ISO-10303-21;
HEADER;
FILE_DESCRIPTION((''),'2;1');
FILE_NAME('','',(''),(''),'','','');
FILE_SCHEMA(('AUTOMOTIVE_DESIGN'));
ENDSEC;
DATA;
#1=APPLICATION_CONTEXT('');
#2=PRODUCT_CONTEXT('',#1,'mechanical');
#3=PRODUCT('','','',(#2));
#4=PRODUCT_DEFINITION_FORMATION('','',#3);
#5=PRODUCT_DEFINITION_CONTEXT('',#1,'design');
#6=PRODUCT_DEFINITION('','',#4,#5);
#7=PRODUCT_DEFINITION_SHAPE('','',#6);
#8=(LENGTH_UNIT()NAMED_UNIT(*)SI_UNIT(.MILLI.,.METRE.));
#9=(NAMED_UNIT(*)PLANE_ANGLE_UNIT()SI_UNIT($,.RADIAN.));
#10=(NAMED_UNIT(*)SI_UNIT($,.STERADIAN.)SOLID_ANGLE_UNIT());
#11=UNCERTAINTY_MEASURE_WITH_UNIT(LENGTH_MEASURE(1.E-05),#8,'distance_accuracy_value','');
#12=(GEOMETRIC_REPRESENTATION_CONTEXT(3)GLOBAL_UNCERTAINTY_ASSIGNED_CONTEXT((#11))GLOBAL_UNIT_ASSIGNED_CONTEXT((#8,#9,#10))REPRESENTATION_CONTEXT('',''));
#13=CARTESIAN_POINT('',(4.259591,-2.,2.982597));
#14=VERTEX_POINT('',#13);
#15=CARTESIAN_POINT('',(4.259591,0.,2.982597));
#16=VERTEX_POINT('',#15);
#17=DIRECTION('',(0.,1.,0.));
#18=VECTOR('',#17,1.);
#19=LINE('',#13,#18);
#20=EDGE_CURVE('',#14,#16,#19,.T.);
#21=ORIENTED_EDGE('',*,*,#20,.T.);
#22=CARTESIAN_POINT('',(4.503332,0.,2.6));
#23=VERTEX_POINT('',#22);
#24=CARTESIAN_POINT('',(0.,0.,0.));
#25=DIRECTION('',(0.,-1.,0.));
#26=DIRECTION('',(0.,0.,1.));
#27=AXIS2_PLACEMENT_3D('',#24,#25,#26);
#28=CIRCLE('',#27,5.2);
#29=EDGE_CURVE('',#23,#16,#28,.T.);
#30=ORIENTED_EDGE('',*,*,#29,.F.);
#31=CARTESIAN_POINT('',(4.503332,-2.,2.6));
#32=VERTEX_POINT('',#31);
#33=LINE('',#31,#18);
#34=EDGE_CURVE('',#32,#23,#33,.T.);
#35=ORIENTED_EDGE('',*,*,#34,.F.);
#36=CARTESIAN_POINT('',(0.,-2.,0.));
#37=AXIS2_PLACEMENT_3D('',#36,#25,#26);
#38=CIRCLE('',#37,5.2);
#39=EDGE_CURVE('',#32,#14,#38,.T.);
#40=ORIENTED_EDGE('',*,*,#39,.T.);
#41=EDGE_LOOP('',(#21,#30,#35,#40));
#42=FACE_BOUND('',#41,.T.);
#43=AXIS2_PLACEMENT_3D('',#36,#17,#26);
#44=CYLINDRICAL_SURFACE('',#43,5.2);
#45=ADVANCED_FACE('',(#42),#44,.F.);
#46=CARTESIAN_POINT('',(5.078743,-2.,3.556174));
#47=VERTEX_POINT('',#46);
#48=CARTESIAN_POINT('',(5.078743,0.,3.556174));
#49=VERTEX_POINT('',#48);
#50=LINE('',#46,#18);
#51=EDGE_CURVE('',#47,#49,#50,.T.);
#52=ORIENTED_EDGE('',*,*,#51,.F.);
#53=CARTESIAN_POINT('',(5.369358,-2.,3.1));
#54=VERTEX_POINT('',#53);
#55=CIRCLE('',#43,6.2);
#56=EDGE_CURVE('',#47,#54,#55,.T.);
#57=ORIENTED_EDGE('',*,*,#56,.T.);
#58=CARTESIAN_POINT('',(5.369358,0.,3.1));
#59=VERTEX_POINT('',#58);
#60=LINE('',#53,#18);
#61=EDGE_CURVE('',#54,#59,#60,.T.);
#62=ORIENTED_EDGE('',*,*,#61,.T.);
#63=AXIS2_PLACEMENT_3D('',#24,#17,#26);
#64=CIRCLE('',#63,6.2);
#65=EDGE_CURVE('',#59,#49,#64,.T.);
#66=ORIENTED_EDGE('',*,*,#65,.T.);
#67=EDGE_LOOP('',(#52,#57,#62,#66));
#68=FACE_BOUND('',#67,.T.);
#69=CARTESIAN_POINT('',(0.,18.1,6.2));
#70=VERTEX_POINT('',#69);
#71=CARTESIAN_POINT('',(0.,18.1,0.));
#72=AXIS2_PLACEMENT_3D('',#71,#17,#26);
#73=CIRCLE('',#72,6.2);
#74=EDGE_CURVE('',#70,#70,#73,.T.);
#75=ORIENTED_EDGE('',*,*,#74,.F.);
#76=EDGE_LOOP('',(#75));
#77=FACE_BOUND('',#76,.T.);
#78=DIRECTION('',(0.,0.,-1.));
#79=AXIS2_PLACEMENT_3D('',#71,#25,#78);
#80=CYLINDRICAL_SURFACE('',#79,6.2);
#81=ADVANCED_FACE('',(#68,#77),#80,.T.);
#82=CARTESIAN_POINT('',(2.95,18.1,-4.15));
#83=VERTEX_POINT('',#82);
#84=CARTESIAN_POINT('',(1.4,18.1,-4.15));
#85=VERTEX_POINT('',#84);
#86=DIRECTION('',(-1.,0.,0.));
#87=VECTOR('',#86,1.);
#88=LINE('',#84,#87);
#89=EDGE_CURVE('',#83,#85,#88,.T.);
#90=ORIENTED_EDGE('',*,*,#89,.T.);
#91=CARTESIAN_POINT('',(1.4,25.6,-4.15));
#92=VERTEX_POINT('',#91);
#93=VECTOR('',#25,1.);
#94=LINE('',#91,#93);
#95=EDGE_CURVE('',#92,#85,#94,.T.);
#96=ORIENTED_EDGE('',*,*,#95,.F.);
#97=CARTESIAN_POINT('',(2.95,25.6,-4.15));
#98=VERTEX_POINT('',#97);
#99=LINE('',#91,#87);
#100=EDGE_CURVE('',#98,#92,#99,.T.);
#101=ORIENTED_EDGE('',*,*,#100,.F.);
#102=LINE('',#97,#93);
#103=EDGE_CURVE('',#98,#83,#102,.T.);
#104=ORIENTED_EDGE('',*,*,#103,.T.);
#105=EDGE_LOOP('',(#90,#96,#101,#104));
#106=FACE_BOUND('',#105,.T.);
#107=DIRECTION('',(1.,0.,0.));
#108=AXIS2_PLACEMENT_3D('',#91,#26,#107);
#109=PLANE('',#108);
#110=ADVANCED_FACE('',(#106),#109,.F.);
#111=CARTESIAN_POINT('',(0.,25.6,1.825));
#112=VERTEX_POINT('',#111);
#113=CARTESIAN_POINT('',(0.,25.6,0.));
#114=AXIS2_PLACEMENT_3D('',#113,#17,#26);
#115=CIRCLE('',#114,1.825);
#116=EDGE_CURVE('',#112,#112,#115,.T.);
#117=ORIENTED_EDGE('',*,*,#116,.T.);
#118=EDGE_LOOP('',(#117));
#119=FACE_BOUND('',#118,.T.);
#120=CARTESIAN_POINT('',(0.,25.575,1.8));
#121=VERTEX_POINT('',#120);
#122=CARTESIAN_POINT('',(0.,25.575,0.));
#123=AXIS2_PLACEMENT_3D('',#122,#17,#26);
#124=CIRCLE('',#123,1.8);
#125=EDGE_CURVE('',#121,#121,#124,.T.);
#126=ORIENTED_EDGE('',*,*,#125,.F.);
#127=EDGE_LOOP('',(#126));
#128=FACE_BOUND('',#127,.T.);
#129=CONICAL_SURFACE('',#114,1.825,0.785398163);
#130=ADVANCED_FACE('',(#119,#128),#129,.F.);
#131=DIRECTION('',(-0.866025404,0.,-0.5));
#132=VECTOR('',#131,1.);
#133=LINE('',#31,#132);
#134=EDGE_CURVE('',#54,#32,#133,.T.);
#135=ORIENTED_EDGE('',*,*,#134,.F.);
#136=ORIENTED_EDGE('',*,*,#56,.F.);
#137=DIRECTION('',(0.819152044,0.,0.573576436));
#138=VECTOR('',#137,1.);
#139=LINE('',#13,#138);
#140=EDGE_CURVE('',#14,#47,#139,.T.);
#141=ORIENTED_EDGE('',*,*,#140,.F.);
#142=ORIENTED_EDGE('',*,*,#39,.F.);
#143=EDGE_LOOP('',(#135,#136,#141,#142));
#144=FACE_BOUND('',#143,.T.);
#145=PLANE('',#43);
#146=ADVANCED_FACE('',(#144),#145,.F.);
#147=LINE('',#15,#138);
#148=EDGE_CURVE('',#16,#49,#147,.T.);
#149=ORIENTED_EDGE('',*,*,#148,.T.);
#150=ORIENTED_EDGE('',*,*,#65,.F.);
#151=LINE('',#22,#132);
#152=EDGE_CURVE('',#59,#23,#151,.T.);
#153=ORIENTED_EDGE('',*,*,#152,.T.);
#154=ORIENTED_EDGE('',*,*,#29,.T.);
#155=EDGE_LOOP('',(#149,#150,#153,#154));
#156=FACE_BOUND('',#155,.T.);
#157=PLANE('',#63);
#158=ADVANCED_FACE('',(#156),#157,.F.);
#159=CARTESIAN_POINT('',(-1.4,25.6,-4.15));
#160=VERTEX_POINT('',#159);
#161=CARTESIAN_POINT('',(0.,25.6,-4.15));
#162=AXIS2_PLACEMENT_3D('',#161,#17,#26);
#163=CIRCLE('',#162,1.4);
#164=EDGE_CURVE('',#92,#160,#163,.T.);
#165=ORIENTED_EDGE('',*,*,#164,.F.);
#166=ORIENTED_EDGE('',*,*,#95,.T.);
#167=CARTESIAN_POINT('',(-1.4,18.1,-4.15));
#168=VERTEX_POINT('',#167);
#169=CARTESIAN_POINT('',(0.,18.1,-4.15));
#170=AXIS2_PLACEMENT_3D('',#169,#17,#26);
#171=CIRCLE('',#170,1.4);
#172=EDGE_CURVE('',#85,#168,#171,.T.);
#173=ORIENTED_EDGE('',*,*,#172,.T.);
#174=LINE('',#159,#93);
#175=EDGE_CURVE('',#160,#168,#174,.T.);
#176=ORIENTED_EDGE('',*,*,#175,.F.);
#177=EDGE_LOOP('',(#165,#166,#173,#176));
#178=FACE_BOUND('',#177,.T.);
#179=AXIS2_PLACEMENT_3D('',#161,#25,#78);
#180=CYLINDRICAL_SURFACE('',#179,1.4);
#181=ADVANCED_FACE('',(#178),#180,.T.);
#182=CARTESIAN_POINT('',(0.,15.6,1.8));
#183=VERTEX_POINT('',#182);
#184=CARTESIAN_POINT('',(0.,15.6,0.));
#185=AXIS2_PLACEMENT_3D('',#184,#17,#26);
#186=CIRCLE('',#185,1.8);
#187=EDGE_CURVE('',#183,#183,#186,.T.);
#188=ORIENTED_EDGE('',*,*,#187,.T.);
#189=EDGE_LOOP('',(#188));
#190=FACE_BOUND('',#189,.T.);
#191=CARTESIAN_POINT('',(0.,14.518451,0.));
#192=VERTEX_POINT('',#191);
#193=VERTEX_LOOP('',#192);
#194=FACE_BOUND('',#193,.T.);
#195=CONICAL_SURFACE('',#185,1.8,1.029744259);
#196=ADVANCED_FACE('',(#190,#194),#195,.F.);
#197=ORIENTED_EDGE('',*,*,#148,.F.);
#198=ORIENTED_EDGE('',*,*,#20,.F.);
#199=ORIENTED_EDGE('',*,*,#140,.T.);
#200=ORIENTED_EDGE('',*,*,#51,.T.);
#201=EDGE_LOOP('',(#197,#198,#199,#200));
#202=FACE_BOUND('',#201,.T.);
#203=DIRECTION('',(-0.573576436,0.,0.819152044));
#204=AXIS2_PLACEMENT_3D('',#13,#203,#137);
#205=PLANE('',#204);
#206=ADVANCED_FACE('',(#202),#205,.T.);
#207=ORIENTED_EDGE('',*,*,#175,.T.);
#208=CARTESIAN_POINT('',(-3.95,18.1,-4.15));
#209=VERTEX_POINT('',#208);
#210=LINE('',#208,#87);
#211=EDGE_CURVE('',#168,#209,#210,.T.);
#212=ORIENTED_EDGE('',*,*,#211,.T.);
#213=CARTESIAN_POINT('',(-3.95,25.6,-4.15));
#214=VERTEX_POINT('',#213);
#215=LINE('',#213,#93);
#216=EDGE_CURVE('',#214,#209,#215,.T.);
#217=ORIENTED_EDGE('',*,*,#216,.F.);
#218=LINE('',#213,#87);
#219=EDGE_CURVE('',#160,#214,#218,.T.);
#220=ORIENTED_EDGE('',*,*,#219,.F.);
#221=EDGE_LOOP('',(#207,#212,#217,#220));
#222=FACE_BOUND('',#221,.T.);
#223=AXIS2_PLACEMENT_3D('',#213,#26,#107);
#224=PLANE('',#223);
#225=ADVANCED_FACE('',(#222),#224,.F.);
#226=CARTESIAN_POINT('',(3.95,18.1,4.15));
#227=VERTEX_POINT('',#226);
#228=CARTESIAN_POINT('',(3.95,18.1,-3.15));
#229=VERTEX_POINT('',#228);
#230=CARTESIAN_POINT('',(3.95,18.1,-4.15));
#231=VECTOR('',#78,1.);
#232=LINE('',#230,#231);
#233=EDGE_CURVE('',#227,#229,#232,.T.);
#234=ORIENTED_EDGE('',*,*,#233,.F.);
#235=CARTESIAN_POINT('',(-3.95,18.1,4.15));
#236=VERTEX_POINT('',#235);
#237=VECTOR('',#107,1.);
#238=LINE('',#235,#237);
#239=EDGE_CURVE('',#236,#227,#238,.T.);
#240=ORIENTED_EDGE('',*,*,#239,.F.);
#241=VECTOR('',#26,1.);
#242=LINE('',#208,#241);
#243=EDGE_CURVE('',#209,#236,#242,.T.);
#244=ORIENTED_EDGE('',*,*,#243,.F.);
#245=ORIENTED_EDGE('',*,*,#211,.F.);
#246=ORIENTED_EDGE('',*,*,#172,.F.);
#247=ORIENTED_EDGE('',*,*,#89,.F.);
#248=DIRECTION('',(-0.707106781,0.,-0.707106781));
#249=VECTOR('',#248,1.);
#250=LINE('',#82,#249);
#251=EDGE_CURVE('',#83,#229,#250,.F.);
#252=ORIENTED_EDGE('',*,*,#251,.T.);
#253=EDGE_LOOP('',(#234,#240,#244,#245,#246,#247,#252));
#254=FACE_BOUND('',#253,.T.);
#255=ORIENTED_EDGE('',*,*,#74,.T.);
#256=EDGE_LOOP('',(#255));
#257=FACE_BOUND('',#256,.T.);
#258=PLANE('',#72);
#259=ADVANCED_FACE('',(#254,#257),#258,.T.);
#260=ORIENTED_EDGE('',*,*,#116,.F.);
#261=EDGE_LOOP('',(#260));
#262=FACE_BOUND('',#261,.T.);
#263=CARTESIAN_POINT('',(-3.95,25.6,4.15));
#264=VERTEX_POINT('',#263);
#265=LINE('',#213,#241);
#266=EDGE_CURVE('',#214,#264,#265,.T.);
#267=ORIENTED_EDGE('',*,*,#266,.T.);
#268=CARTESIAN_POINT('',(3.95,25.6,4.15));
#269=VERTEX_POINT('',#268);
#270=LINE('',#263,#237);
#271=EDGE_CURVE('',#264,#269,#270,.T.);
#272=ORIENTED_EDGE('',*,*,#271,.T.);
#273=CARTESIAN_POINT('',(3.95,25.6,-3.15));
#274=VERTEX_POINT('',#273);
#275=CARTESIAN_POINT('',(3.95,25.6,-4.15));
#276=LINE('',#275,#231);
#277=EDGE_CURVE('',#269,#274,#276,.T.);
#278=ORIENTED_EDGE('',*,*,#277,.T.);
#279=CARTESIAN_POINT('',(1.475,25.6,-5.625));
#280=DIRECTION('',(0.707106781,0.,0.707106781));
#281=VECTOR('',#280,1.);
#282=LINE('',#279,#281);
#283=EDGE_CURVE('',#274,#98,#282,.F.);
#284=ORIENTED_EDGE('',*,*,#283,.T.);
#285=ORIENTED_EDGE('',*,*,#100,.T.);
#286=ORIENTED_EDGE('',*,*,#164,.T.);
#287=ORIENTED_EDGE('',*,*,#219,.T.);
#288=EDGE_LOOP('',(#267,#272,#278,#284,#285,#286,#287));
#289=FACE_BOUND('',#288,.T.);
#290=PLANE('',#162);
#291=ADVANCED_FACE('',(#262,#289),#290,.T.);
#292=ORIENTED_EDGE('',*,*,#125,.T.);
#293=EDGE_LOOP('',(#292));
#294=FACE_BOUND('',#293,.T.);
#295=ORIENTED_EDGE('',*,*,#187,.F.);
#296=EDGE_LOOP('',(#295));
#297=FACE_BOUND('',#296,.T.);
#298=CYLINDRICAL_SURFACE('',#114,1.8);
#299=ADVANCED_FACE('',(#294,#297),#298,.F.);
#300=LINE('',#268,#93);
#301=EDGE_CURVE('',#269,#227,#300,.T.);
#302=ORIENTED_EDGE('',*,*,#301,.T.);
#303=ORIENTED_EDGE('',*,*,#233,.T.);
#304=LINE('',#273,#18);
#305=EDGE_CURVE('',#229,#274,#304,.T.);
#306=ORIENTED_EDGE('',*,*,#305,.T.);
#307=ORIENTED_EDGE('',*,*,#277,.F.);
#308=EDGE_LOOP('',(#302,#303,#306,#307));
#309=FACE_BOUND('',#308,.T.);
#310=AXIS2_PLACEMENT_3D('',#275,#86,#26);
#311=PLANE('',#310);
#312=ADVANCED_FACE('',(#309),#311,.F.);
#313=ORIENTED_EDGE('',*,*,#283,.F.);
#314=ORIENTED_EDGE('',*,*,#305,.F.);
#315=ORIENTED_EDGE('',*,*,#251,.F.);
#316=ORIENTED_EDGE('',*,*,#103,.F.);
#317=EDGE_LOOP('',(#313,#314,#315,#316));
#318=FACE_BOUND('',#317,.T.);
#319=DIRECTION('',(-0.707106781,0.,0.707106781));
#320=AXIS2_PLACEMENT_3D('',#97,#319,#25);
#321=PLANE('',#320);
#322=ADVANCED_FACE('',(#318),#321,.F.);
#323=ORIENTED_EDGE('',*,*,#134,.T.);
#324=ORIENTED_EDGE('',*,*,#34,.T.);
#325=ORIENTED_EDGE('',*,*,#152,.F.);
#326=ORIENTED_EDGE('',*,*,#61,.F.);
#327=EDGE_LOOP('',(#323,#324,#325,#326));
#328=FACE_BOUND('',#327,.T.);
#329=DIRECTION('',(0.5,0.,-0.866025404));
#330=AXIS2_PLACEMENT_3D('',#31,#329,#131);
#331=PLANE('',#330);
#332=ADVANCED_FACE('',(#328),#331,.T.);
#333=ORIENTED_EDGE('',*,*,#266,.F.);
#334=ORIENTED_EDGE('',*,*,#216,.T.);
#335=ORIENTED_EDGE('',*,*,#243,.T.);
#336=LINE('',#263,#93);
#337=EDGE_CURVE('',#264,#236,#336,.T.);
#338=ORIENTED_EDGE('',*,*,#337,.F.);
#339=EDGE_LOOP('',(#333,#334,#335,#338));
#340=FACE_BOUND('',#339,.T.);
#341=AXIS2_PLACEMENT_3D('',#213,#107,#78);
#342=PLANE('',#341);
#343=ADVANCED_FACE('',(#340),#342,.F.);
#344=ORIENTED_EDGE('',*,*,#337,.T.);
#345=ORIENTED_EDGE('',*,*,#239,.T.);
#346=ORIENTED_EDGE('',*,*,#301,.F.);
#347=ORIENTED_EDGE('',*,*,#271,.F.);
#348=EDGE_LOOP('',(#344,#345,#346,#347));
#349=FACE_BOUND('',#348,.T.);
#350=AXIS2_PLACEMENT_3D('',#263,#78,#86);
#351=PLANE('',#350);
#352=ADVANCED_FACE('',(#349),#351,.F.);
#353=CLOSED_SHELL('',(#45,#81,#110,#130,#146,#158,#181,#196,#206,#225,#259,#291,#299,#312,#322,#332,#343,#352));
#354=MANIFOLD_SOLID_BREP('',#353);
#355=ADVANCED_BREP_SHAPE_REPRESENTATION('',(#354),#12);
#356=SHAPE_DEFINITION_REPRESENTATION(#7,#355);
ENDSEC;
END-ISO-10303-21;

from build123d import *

# Parameters (mm, degrees)
ESBO_O1_R                              = 6.2
RESSALTO_EXTRUS_O1_DEPTH               = 18.1
RESSALTO_EXTRUS_O2_DEPTH               = 2
RESSALTO_EXTRUS_O3_DEPTH               = 7.5
CHANFRO1_SIZE                          = 1
FURO_DE_DI_METRO_3_6_3_6_1_D           = 3.6
FURO_DE_DI_METRO_3_6_3_6_1_DEPTH       = 10
FURO_DE_DI_METRO_3_6_3_6_1_CSINK_D     = 3.65
FURO_DE_DI_METRO_3_6_3_6_1_CSINK_ANGLE = 90
FURO_DE_DI_METRO_3_6_3_6_1_TIP         = 1.081549114


with BuildPart() as part:
    # Esboço1 → Ressalto-extrusão1 (new body)
    with BuildSketch(Plane(origin=(0, 0, 0), x_dir=(1, 0, 0), z_dir=(0, 1, 0))):
        Circle(ESBO_O1_R)
    extrude(amount=RESSALTO_EXTRUS_O1_DEPTH)

    # Esboço2 → Ressalto-extrusão2 (add)
    with BuildSketch(Plane(origin=(0, 0, 0), x_dir=(1, 0, 0), z_dir=(0, 1, 0))):
        with BuildLine():
            Line((4.5033321, -2.6), (5.369357503, -3.1))
            ThreePointArc((5.369357503, -3.1), (5.229026964, -3.331257572), (5.078742675, -3.556173905))
            Line((5.078742675, -3.556173905), (4.25959063, -2.982597469))
            ThreePointArc((4.25959063, -2.982597469), (4.385635518, -2.793957963), (4.5033321, -2.6))
        make_face()
    extrude(amount=-RESSALTO_EXTRUS_O2_DEPTH)

    # Esboço3 → Ressalto-extrusão3 (add)
    with BuildSketch(Plane(origin=(0, 18.1, 0), x_dir=(1, 0, 0), z_dir=(0, 1, 0))):
        with BuildLine():
            Line((1.4, 4.15), (3.95, 4.15))
            Line((3.95, 4.15), (3.95, -4.15))
            Line((3.95, -4.15), (-3.95, -4.15))
            Line((-3.95, -4.15), (-3.95, 4.15))
            Line((-3.95, 4.15), (-1.4, 4.15))
            ThreePointArc((-1.4, 4.15), (0, 5.55), (1.4, 4.15))
        make_face()
    extrude(amount=RESSALTO_EXTRUS_O3_DEPTH)

    # Chanfro1
    chanfro1_edges = [part.edges().sort_by_distance(p)[0] for p in [
        (3.95, 21.85, -4.15),
    ]]
    chamfer(chanfro1_edges, length=CHANFRO1_SIZE)

    # Furo de diâmetro Ø3.6 (3.6)1
    with Locations(Plane(origin=(0, 25.6, 0), x_dir=(1, 0, 0), z_dir=(0, 1, 0))):
        with Locations((0, 0)):
            CounterSinkHole(FURO_DE_DI_METRO_3_6_3_6_1_D / 2, FURO_DE_DI_METRO_3_6_3_6_1_CSINK_D / 2, depth=FURO_DE_DI_METRO_3_6_3_6_1_DEPTH, counter_sink_angle=FURO_DE_DI_METRO_3_6_3_6_1_CSINK_ANGLE)
            with Locations((0, 0, -(FURO_DE_DI_METRO_3_6_3_6_1_DEPTH + FURO_DE_DI_METRO_3_6_3_6_1_TIP / 2))):  # 118° drill point
                Cone(0, FURO_DE_DI_METRO_3_6_3_6_1_D / 2, FURO_DE_DI_METRO_3_6_3_6_1_TIP, mode=Mode.SUBTRACT)


solid = part.part
